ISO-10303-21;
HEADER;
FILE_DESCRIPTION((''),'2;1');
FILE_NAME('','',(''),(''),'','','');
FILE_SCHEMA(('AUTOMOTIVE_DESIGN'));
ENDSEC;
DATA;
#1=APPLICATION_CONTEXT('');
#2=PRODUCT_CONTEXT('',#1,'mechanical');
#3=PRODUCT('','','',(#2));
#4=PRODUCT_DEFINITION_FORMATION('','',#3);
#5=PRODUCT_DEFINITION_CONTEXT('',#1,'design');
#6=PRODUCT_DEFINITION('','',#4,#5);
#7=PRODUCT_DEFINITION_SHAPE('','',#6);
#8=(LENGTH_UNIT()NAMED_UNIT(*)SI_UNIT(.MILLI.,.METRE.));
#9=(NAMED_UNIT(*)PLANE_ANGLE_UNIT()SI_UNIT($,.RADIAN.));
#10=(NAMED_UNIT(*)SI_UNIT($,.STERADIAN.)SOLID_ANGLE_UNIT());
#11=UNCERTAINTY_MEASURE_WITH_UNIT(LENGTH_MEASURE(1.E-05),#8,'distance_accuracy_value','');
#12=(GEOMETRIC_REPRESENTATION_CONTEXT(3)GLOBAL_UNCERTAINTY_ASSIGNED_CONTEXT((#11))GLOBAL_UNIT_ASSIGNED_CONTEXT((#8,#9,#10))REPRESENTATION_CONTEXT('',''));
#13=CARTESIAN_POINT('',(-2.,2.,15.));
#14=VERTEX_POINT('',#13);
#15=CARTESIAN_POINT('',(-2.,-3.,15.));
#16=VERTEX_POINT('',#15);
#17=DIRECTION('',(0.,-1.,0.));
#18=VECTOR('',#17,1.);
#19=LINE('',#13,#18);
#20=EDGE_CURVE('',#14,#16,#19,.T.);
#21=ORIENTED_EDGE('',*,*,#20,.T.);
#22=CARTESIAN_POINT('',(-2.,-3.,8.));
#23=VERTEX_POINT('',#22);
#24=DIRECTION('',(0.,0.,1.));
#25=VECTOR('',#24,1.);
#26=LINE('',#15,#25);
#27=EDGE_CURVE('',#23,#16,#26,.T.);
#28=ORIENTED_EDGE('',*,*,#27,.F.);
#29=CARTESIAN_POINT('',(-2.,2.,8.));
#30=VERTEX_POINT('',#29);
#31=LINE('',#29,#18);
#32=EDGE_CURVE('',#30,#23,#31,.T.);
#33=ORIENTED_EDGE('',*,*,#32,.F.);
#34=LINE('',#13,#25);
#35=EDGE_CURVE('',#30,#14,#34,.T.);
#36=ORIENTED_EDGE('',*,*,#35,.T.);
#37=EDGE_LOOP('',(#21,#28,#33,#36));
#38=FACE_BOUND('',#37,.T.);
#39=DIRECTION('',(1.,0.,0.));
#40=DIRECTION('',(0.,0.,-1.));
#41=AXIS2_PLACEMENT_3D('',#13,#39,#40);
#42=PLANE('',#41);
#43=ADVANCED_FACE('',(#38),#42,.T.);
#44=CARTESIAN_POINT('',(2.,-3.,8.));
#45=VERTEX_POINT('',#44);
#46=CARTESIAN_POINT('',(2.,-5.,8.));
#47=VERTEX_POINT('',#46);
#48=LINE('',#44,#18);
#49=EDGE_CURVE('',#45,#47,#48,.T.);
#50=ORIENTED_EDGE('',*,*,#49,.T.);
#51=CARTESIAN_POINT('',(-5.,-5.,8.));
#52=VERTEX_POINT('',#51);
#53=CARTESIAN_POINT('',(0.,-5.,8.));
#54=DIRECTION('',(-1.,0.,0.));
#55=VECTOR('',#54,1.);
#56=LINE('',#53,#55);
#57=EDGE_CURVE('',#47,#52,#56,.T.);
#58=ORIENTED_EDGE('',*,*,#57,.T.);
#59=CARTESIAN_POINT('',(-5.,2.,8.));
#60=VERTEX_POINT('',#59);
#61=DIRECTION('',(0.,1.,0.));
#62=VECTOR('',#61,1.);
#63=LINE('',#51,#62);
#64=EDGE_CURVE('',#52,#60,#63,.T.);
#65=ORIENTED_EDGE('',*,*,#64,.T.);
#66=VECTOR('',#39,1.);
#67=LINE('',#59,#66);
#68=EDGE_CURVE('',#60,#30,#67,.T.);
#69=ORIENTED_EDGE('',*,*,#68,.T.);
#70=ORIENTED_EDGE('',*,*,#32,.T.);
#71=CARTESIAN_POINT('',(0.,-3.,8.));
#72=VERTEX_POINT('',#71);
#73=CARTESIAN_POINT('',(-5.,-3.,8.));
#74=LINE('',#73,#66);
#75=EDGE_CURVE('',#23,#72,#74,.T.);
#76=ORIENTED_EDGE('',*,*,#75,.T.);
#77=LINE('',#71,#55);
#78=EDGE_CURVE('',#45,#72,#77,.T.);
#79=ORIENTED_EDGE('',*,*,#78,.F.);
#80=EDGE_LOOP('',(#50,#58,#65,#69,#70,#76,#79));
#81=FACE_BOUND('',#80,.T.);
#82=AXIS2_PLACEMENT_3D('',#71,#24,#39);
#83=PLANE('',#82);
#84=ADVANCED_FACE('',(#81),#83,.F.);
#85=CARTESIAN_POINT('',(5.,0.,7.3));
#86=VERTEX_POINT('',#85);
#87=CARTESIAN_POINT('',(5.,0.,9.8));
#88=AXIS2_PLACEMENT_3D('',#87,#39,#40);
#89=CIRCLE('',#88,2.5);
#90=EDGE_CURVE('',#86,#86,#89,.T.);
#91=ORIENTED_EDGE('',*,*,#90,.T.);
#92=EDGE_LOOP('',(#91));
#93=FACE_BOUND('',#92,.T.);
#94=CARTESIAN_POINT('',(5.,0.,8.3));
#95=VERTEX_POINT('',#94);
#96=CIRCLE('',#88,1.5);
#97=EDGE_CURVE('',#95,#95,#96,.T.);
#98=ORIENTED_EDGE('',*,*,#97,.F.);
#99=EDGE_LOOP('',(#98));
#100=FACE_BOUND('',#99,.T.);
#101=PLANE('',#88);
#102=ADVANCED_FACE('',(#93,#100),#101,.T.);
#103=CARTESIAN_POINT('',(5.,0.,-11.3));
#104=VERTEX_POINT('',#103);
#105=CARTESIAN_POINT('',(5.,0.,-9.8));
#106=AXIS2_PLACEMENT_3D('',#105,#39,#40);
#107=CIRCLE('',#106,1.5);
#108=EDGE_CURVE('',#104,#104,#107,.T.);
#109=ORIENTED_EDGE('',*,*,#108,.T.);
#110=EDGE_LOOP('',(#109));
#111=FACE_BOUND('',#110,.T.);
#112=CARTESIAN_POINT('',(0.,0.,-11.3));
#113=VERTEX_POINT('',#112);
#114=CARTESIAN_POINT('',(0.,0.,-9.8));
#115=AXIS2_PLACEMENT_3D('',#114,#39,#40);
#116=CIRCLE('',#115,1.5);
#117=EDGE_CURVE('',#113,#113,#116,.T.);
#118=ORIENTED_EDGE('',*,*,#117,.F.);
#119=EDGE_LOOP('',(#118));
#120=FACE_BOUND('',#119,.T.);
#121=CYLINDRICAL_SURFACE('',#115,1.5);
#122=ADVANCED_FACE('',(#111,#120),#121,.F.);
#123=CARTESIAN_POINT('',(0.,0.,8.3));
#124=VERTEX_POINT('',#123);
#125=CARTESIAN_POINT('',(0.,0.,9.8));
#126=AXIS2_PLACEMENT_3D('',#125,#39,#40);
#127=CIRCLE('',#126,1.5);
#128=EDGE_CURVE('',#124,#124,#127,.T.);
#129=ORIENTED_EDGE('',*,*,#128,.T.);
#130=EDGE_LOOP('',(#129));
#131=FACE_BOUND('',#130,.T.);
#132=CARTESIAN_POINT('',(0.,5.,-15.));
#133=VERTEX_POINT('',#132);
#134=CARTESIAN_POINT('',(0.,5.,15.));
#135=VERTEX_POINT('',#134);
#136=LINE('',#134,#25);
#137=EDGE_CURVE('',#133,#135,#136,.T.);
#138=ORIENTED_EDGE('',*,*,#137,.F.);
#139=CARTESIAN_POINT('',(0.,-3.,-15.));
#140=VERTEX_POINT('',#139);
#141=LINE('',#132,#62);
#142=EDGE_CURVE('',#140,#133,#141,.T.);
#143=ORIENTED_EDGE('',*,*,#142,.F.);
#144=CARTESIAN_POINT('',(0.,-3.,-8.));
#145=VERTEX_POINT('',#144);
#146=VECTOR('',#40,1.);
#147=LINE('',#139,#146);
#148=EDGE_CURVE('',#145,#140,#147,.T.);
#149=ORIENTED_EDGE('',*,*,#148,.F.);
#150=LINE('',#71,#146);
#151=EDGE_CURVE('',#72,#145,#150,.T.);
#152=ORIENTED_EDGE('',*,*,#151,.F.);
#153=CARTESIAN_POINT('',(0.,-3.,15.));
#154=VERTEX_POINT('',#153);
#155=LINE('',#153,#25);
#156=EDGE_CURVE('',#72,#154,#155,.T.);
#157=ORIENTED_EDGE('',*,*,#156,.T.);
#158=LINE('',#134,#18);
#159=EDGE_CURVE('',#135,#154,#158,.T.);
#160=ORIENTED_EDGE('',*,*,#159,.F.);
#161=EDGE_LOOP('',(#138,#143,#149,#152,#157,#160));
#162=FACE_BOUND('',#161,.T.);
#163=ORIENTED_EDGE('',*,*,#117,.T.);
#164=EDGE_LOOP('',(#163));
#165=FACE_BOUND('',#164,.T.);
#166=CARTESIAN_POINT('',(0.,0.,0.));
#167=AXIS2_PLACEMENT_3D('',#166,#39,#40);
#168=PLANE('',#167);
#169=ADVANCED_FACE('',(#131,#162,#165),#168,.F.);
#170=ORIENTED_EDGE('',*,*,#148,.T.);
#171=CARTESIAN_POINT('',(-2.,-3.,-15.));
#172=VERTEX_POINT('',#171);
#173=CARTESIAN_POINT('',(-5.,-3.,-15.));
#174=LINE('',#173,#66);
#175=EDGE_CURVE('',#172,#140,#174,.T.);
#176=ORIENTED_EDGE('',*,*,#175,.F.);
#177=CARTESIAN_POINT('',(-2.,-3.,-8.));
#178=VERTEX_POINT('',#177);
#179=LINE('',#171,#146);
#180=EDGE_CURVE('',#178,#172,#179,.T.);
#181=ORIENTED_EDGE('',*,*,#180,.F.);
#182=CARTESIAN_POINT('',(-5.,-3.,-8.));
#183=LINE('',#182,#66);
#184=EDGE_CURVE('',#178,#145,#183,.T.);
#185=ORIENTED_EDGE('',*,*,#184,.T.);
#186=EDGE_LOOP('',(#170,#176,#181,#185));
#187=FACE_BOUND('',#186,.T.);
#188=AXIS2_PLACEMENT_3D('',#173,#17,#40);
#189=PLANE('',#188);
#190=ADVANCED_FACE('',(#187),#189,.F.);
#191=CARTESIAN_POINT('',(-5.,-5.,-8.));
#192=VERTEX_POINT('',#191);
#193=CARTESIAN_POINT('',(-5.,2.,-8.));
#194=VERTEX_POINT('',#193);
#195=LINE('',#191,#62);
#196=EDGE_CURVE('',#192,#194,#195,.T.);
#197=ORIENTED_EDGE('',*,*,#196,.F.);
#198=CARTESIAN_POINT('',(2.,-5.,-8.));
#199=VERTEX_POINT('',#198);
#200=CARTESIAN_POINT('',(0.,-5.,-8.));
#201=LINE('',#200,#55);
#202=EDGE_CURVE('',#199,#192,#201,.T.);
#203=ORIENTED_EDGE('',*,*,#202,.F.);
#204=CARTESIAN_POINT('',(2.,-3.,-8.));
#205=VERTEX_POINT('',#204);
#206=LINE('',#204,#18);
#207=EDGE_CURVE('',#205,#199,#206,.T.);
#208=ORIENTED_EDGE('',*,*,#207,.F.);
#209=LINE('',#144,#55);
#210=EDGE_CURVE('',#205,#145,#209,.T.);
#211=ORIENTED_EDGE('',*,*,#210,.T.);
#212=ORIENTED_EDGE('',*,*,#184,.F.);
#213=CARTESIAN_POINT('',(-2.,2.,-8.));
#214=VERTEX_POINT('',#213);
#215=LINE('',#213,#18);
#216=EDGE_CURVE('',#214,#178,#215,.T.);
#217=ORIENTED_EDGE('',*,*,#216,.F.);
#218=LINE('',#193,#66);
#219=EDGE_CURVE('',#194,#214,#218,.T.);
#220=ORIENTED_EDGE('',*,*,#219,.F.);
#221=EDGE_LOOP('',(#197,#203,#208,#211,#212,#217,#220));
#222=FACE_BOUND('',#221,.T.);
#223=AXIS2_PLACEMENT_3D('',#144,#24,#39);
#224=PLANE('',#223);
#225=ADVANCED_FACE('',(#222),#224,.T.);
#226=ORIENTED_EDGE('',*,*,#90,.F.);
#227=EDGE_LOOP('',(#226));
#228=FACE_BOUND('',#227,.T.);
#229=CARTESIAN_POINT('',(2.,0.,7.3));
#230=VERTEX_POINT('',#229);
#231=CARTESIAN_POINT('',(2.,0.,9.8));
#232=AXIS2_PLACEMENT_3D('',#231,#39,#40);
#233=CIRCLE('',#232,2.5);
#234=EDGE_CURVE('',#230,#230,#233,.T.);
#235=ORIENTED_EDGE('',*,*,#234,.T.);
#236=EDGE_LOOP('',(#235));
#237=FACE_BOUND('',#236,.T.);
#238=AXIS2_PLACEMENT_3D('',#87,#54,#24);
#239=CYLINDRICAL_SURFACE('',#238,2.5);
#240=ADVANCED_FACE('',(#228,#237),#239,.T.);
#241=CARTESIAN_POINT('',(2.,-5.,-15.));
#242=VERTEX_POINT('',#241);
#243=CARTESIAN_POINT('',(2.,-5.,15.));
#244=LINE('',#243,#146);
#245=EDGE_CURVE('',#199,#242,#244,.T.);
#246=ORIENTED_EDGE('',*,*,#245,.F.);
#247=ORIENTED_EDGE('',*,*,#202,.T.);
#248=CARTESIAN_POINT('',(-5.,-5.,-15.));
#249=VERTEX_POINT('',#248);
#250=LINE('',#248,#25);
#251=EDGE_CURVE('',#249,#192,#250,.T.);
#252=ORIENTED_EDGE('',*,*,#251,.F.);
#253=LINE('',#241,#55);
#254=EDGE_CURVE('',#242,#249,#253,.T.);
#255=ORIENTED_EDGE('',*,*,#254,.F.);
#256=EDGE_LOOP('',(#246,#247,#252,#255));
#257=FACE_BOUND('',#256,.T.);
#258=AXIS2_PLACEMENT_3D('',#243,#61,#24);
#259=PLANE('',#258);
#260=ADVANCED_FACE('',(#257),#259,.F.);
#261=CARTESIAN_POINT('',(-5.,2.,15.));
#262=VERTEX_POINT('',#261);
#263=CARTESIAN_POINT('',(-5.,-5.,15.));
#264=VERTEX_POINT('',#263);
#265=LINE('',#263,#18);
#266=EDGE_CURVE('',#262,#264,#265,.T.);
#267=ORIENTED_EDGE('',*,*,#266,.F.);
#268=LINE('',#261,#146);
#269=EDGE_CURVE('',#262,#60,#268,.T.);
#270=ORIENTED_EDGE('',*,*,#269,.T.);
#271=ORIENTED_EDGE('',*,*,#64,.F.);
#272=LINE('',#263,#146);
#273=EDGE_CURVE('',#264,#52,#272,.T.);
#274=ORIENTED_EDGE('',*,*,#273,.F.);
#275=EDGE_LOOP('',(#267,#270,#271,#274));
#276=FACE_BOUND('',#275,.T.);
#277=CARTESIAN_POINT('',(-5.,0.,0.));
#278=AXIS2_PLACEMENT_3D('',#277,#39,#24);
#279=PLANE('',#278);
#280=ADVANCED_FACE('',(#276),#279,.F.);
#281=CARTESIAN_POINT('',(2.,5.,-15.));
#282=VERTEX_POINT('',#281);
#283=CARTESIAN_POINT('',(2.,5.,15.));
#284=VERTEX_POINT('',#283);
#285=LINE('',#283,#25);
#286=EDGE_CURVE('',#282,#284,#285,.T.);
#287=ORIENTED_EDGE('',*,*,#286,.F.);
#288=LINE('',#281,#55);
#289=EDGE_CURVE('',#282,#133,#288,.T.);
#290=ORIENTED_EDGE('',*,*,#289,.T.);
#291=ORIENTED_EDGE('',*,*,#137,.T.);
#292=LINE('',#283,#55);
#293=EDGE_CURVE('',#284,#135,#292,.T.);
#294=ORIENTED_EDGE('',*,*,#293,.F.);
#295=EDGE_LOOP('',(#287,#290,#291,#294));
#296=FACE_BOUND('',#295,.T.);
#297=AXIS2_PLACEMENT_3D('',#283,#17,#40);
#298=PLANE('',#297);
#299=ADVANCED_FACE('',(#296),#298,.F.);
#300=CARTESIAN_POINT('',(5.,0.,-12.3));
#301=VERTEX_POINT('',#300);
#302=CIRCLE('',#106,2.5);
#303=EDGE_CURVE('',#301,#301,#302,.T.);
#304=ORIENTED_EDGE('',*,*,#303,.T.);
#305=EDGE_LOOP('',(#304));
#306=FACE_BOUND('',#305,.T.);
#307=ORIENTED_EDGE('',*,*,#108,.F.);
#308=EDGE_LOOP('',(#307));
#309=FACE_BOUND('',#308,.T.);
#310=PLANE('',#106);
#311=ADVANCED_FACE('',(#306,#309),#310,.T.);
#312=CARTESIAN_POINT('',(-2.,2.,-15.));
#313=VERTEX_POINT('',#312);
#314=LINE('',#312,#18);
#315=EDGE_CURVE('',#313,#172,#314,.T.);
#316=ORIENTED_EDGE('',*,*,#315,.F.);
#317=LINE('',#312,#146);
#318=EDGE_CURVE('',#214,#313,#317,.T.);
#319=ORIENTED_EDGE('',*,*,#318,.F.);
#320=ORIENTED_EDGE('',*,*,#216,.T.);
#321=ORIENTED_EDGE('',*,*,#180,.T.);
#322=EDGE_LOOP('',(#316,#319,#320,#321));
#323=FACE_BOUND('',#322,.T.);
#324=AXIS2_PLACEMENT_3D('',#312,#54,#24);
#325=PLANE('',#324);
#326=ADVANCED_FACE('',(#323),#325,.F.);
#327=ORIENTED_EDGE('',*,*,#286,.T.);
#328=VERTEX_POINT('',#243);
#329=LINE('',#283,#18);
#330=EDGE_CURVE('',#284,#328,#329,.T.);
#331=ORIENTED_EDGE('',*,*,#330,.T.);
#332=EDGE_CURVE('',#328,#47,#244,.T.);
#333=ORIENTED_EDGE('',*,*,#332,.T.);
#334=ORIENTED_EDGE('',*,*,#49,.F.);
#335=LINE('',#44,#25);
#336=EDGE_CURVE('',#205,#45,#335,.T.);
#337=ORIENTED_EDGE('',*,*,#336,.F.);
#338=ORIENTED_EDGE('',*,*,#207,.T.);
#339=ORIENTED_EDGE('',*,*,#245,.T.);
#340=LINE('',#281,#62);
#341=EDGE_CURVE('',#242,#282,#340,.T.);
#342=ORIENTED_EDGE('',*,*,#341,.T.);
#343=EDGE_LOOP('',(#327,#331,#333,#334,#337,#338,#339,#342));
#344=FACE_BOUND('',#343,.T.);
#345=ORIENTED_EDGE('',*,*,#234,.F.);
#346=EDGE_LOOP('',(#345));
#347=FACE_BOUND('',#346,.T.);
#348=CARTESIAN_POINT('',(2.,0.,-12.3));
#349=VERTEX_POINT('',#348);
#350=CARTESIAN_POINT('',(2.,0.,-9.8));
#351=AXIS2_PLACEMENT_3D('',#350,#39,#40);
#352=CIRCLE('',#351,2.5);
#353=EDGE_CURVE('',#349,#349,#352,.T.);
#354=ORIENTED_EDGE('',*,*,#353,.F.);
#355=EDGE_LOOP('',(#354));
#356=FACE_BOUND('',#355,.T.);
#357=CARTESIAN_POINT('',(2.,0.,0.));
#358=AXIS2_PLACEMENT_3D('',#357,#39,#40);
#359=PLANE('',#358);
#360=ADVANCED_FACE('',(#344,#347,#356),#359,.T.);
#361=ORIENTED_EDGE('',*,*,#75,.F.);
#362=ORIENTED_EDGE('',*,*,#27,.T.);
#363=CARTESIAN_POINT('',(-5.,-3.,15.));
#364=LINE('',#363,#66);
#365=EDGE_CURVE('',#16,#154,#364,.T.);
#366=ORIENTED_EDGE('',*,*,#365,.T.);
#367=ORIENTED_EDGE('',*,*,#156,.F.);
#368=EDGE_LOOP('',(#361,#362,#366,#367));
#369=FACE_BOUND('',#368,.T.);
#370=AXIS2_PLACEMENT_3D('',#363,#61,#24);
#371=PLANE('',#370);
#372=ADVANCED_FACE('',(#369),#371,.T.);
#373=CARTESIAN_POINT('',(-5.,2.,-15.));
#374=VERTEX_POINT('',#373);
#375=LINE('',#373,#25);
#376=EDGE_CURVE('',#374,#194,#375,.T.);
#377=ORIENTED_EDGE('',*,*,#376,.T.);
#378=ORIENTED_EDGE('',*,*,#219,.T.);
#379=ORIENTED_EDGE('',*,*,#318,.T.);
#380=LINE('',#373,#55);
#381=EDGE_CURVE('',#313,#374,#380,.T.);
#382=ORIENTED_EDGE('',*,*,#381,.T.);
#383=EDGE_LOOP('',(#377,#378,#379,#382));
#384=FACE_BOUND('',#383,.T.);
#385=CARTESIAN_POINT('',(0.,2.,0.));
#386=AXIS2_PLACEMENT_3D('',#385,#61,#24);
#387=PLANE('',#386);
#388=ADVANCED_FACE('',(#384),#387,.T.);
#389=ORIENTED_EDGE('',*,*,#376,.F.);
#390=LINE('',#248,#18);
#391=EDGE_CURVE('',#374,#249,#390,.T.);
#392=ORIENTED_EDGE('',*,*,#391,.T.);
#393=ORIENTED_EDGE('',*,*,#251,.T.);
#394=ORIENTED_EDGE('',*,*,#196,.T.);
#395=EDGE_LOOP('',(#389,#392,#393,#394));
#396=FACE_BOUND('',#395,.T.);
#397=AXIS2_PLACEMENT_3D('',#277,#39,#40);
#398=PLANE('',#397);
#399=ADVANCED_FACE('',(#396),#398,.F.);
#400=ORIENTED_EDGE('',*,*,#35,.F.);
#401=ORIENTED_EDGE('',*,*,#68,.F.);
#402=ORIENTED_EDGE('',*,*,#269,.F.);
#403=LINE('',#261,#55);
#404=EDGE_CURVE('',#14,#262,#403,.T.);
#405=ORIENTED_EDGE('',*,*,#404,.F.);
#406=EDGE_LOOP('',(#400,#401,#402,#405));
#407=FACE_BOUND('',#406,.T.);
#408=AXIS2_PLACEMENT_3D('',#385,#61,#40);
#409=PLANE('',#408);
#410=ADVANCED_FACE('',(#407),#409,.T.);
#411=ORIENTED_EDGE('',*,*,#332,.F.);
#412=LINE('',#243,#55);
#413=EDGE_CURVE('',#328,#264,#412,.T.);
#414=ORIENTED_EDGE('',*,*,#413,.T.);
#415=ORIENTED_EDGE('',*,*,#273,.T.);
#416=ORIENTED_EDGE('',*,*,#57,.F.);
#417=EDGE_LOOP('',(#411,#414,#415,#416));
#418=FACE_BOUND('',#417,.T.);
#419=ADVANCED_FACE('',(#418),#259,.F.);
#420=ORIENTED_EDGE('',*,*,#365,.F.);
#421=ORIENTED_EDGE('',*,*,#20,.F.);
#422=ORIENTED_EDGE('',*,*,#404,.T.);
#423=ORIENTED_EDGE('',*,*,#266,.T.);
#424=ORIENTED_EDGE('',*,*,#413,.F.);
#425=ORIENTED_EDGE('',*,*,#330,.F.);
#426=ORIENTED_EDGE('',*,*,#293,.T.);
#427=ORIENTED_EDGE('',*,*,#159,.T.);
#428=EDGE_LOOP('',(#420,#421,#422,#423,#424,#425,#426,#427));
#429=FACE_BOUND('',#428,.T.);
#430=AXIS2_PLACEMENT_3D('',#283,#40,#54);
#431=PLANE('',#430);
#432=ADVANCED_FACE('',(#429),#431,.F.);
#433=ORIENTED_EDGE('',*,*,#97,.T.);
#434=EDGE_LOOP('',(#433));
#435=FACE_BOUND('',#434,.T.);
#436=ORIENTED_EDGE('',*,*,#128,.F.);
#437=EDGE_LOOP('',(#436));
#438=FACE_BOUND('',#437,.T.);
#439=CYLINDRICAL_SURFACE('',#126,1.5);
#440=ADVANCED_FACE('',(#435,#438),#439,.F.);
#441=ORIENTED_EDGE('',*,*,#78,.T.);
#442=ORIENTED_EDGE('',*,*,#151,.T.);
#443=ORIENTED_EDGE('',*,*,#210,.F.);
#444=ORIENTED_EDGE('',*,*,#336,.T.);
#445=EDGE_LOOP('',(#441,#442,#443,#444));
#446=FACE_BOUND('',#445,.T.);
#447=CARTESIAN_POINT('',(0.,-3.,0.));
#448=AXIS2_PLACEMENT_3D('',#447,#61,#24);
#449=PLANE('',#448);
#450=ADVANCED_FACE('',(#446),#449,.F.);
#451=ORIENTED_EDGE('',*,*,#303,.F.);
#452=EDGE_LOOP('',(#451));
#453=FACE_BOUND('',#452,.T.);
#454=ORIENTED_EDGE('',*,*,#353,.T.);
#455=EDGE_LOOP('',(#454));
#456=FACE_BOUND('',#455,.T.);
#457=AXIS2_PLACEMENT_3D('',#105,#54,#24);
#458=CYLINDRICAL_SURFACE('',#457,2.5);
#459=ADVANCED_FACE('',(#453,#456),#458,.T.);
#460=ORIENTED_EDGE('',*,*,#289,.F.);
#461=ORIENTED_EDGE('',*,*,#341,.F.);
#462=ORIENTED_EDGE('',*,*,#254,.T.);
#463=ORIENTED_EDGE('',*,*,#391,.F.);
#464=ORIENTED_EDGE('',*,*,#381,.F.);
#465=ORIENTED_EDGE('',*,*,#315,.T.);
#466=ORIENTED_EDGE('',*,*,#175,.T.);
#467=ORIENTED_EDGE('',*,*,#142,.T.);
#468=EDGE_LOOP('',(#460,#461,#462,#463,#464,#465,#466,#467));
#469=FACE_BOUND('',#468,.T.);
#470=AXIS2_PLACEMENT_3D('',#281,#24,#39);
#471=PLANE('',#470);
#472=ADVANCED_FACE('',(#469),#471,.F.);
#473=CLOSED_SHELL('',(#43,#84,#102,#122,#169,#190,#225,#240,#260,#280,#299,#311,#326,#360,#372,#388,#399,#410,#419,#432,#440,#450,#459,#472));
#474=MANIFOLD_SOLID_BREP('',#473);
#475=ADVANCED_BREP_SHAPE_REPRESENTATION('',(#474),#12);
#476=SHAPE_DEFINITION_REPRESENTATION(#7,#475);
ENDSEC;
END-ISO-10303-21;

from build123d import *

# Parameters (mm, degrees)
ESQUISSE1_W             = 30
ESQUISSE1_H             = 10
BOSS_EXTRU_1_DEPTH      = 2
ESQUISSE2_R             = 2.5
BOSS_EXTRU_2_DEPTH      = 3
ESQUISSE3_R             = 1.5
ENL_V_MAT_EXTRU_1_DEPTH = 17.583123952
ESQUISSE4_R             = 1.5
ENL_V_MAT_EXTRU_2_DEPTH = 17.583123952
ESQUISSE7_W             = 2
ESQUISSE7_H             = 8
ENL_V_MAT_EXTRU_3_DEPTH = 2
ESQUISSE8_W             = 7
ESQUISSE8_H             = 2
BOSS_EXTRU_3_DEPTH      = 5
ESQUISSE12_W            = 3
ESQUISSE12_H            = 7
BOSS_EXTRU_4_DEPTH      = 5


with BuildPart() as part:
    # Esquisse1 → Boss.-Extru.1 (new body)
    with BuildSketch(Plane(origin=(0, 0, 0), x_dir=(0, 0, -1), z_dir=(1, 0, 0))):
        Rectangle(ESQUISSE1_W, ESQUISSE1_H)
    extrude(amount=BOSS_EXTRU_1_DEPTH)

    # Esquisse2 → Boss.-Extru.2 (add)
    with BuildSketch(Plane(origin=(2, 0, 0), x_dir=(0, 0, -1), z_dir=(1, 0, 0))):
        with Locations((-9.8, 0)):
            Circle(ESQUISSE2_R)
        with Locations((9.8, 0)):
            Circle(ESQUISSE2_R)
    extrude(amount=BOSS_EXTRU_2_DEPTH)

    # Esquisse3 → Enlèv. mat.-Extru.1 (cut, through all)
    with BuildSketch(Plane(origin=(5, 0, 0), x_dir=(0, 0, -1), z_dir=(1, 0, 0))):
        with Locations((-9.8, 0)):
            Circle(ESQUISSE3_R)
    extrude(amount=-ENL_V_MAT_EXTRU_1_DEPTH, mode=Mode.SUBTRACT)

    # Esquisse4 → Enlèv. mat.-Extru.2 (cut, through all)
    with BuildSketch(Plane(origin=(5, 0, 0), x_dir=(0, 0, -1), z_dir=(1, 0, 0))):
        with Locations((9.8, 0)):
            Circle(ESQUISSE4_R)
    extrude(amount=-ENL_V_MAT_EXTRU_2_DEPTH, mode=Mode.SUBTRACT)

    # Esquisse7 → Enlèv. mat.-Extru.3 (cut)
    with BuildSketch(Plane.XZ.offset(5)):
        with Locations((1, 4)):
            Rectangle(ESQUISSE7_W, ESQUISSE7_H)
    enl_v_mat_extru_3 = extrude(amount=-ENL_V_MAT_EXTRU_3_DEPTH, mode=Mode.SUBTRACT)

    # Symétrie1: Enlèv. mat.-Extru.3 across plane
    add(enl_v_mat_extru_3.mirror(Plane.XY), mode=Mode.SUBTRACT)

    # Esquisse8 → Boss.-Extru.3 (add)
    with BuildSketch(Plane.ZY):
        with Locations((-11.5, -4)):
            Rectangle(ESQUISSE8_W, ESQUISSE8_H)
    boss_extru_3 = extrude(amount=BOSS_EXTRU_3_DEPTH)

    # Esquisse12 → Boss.-Extru.4 (add)
    with BuildSketch(Plane(origin=(0, -3, 0), x_dir=(1, 0, 0), z_dir=(0, 1, 0))):
        with Locations((-3.5, 11.5)):
            Rectangle(ESQUISSE12_W, ESQUISSE12_H)
    boss_extru_4 = extrude(amount=BOSS_EXTRU_4_DEPTH)

    # Symétrie2: Boss.-Extru.3, Boss.-Extru.4 across plane
    add(boss_extru_3.mirror(Plane.XY))
    add(boss_extru_4.mirror(Plane.XY))


solid = part.part
